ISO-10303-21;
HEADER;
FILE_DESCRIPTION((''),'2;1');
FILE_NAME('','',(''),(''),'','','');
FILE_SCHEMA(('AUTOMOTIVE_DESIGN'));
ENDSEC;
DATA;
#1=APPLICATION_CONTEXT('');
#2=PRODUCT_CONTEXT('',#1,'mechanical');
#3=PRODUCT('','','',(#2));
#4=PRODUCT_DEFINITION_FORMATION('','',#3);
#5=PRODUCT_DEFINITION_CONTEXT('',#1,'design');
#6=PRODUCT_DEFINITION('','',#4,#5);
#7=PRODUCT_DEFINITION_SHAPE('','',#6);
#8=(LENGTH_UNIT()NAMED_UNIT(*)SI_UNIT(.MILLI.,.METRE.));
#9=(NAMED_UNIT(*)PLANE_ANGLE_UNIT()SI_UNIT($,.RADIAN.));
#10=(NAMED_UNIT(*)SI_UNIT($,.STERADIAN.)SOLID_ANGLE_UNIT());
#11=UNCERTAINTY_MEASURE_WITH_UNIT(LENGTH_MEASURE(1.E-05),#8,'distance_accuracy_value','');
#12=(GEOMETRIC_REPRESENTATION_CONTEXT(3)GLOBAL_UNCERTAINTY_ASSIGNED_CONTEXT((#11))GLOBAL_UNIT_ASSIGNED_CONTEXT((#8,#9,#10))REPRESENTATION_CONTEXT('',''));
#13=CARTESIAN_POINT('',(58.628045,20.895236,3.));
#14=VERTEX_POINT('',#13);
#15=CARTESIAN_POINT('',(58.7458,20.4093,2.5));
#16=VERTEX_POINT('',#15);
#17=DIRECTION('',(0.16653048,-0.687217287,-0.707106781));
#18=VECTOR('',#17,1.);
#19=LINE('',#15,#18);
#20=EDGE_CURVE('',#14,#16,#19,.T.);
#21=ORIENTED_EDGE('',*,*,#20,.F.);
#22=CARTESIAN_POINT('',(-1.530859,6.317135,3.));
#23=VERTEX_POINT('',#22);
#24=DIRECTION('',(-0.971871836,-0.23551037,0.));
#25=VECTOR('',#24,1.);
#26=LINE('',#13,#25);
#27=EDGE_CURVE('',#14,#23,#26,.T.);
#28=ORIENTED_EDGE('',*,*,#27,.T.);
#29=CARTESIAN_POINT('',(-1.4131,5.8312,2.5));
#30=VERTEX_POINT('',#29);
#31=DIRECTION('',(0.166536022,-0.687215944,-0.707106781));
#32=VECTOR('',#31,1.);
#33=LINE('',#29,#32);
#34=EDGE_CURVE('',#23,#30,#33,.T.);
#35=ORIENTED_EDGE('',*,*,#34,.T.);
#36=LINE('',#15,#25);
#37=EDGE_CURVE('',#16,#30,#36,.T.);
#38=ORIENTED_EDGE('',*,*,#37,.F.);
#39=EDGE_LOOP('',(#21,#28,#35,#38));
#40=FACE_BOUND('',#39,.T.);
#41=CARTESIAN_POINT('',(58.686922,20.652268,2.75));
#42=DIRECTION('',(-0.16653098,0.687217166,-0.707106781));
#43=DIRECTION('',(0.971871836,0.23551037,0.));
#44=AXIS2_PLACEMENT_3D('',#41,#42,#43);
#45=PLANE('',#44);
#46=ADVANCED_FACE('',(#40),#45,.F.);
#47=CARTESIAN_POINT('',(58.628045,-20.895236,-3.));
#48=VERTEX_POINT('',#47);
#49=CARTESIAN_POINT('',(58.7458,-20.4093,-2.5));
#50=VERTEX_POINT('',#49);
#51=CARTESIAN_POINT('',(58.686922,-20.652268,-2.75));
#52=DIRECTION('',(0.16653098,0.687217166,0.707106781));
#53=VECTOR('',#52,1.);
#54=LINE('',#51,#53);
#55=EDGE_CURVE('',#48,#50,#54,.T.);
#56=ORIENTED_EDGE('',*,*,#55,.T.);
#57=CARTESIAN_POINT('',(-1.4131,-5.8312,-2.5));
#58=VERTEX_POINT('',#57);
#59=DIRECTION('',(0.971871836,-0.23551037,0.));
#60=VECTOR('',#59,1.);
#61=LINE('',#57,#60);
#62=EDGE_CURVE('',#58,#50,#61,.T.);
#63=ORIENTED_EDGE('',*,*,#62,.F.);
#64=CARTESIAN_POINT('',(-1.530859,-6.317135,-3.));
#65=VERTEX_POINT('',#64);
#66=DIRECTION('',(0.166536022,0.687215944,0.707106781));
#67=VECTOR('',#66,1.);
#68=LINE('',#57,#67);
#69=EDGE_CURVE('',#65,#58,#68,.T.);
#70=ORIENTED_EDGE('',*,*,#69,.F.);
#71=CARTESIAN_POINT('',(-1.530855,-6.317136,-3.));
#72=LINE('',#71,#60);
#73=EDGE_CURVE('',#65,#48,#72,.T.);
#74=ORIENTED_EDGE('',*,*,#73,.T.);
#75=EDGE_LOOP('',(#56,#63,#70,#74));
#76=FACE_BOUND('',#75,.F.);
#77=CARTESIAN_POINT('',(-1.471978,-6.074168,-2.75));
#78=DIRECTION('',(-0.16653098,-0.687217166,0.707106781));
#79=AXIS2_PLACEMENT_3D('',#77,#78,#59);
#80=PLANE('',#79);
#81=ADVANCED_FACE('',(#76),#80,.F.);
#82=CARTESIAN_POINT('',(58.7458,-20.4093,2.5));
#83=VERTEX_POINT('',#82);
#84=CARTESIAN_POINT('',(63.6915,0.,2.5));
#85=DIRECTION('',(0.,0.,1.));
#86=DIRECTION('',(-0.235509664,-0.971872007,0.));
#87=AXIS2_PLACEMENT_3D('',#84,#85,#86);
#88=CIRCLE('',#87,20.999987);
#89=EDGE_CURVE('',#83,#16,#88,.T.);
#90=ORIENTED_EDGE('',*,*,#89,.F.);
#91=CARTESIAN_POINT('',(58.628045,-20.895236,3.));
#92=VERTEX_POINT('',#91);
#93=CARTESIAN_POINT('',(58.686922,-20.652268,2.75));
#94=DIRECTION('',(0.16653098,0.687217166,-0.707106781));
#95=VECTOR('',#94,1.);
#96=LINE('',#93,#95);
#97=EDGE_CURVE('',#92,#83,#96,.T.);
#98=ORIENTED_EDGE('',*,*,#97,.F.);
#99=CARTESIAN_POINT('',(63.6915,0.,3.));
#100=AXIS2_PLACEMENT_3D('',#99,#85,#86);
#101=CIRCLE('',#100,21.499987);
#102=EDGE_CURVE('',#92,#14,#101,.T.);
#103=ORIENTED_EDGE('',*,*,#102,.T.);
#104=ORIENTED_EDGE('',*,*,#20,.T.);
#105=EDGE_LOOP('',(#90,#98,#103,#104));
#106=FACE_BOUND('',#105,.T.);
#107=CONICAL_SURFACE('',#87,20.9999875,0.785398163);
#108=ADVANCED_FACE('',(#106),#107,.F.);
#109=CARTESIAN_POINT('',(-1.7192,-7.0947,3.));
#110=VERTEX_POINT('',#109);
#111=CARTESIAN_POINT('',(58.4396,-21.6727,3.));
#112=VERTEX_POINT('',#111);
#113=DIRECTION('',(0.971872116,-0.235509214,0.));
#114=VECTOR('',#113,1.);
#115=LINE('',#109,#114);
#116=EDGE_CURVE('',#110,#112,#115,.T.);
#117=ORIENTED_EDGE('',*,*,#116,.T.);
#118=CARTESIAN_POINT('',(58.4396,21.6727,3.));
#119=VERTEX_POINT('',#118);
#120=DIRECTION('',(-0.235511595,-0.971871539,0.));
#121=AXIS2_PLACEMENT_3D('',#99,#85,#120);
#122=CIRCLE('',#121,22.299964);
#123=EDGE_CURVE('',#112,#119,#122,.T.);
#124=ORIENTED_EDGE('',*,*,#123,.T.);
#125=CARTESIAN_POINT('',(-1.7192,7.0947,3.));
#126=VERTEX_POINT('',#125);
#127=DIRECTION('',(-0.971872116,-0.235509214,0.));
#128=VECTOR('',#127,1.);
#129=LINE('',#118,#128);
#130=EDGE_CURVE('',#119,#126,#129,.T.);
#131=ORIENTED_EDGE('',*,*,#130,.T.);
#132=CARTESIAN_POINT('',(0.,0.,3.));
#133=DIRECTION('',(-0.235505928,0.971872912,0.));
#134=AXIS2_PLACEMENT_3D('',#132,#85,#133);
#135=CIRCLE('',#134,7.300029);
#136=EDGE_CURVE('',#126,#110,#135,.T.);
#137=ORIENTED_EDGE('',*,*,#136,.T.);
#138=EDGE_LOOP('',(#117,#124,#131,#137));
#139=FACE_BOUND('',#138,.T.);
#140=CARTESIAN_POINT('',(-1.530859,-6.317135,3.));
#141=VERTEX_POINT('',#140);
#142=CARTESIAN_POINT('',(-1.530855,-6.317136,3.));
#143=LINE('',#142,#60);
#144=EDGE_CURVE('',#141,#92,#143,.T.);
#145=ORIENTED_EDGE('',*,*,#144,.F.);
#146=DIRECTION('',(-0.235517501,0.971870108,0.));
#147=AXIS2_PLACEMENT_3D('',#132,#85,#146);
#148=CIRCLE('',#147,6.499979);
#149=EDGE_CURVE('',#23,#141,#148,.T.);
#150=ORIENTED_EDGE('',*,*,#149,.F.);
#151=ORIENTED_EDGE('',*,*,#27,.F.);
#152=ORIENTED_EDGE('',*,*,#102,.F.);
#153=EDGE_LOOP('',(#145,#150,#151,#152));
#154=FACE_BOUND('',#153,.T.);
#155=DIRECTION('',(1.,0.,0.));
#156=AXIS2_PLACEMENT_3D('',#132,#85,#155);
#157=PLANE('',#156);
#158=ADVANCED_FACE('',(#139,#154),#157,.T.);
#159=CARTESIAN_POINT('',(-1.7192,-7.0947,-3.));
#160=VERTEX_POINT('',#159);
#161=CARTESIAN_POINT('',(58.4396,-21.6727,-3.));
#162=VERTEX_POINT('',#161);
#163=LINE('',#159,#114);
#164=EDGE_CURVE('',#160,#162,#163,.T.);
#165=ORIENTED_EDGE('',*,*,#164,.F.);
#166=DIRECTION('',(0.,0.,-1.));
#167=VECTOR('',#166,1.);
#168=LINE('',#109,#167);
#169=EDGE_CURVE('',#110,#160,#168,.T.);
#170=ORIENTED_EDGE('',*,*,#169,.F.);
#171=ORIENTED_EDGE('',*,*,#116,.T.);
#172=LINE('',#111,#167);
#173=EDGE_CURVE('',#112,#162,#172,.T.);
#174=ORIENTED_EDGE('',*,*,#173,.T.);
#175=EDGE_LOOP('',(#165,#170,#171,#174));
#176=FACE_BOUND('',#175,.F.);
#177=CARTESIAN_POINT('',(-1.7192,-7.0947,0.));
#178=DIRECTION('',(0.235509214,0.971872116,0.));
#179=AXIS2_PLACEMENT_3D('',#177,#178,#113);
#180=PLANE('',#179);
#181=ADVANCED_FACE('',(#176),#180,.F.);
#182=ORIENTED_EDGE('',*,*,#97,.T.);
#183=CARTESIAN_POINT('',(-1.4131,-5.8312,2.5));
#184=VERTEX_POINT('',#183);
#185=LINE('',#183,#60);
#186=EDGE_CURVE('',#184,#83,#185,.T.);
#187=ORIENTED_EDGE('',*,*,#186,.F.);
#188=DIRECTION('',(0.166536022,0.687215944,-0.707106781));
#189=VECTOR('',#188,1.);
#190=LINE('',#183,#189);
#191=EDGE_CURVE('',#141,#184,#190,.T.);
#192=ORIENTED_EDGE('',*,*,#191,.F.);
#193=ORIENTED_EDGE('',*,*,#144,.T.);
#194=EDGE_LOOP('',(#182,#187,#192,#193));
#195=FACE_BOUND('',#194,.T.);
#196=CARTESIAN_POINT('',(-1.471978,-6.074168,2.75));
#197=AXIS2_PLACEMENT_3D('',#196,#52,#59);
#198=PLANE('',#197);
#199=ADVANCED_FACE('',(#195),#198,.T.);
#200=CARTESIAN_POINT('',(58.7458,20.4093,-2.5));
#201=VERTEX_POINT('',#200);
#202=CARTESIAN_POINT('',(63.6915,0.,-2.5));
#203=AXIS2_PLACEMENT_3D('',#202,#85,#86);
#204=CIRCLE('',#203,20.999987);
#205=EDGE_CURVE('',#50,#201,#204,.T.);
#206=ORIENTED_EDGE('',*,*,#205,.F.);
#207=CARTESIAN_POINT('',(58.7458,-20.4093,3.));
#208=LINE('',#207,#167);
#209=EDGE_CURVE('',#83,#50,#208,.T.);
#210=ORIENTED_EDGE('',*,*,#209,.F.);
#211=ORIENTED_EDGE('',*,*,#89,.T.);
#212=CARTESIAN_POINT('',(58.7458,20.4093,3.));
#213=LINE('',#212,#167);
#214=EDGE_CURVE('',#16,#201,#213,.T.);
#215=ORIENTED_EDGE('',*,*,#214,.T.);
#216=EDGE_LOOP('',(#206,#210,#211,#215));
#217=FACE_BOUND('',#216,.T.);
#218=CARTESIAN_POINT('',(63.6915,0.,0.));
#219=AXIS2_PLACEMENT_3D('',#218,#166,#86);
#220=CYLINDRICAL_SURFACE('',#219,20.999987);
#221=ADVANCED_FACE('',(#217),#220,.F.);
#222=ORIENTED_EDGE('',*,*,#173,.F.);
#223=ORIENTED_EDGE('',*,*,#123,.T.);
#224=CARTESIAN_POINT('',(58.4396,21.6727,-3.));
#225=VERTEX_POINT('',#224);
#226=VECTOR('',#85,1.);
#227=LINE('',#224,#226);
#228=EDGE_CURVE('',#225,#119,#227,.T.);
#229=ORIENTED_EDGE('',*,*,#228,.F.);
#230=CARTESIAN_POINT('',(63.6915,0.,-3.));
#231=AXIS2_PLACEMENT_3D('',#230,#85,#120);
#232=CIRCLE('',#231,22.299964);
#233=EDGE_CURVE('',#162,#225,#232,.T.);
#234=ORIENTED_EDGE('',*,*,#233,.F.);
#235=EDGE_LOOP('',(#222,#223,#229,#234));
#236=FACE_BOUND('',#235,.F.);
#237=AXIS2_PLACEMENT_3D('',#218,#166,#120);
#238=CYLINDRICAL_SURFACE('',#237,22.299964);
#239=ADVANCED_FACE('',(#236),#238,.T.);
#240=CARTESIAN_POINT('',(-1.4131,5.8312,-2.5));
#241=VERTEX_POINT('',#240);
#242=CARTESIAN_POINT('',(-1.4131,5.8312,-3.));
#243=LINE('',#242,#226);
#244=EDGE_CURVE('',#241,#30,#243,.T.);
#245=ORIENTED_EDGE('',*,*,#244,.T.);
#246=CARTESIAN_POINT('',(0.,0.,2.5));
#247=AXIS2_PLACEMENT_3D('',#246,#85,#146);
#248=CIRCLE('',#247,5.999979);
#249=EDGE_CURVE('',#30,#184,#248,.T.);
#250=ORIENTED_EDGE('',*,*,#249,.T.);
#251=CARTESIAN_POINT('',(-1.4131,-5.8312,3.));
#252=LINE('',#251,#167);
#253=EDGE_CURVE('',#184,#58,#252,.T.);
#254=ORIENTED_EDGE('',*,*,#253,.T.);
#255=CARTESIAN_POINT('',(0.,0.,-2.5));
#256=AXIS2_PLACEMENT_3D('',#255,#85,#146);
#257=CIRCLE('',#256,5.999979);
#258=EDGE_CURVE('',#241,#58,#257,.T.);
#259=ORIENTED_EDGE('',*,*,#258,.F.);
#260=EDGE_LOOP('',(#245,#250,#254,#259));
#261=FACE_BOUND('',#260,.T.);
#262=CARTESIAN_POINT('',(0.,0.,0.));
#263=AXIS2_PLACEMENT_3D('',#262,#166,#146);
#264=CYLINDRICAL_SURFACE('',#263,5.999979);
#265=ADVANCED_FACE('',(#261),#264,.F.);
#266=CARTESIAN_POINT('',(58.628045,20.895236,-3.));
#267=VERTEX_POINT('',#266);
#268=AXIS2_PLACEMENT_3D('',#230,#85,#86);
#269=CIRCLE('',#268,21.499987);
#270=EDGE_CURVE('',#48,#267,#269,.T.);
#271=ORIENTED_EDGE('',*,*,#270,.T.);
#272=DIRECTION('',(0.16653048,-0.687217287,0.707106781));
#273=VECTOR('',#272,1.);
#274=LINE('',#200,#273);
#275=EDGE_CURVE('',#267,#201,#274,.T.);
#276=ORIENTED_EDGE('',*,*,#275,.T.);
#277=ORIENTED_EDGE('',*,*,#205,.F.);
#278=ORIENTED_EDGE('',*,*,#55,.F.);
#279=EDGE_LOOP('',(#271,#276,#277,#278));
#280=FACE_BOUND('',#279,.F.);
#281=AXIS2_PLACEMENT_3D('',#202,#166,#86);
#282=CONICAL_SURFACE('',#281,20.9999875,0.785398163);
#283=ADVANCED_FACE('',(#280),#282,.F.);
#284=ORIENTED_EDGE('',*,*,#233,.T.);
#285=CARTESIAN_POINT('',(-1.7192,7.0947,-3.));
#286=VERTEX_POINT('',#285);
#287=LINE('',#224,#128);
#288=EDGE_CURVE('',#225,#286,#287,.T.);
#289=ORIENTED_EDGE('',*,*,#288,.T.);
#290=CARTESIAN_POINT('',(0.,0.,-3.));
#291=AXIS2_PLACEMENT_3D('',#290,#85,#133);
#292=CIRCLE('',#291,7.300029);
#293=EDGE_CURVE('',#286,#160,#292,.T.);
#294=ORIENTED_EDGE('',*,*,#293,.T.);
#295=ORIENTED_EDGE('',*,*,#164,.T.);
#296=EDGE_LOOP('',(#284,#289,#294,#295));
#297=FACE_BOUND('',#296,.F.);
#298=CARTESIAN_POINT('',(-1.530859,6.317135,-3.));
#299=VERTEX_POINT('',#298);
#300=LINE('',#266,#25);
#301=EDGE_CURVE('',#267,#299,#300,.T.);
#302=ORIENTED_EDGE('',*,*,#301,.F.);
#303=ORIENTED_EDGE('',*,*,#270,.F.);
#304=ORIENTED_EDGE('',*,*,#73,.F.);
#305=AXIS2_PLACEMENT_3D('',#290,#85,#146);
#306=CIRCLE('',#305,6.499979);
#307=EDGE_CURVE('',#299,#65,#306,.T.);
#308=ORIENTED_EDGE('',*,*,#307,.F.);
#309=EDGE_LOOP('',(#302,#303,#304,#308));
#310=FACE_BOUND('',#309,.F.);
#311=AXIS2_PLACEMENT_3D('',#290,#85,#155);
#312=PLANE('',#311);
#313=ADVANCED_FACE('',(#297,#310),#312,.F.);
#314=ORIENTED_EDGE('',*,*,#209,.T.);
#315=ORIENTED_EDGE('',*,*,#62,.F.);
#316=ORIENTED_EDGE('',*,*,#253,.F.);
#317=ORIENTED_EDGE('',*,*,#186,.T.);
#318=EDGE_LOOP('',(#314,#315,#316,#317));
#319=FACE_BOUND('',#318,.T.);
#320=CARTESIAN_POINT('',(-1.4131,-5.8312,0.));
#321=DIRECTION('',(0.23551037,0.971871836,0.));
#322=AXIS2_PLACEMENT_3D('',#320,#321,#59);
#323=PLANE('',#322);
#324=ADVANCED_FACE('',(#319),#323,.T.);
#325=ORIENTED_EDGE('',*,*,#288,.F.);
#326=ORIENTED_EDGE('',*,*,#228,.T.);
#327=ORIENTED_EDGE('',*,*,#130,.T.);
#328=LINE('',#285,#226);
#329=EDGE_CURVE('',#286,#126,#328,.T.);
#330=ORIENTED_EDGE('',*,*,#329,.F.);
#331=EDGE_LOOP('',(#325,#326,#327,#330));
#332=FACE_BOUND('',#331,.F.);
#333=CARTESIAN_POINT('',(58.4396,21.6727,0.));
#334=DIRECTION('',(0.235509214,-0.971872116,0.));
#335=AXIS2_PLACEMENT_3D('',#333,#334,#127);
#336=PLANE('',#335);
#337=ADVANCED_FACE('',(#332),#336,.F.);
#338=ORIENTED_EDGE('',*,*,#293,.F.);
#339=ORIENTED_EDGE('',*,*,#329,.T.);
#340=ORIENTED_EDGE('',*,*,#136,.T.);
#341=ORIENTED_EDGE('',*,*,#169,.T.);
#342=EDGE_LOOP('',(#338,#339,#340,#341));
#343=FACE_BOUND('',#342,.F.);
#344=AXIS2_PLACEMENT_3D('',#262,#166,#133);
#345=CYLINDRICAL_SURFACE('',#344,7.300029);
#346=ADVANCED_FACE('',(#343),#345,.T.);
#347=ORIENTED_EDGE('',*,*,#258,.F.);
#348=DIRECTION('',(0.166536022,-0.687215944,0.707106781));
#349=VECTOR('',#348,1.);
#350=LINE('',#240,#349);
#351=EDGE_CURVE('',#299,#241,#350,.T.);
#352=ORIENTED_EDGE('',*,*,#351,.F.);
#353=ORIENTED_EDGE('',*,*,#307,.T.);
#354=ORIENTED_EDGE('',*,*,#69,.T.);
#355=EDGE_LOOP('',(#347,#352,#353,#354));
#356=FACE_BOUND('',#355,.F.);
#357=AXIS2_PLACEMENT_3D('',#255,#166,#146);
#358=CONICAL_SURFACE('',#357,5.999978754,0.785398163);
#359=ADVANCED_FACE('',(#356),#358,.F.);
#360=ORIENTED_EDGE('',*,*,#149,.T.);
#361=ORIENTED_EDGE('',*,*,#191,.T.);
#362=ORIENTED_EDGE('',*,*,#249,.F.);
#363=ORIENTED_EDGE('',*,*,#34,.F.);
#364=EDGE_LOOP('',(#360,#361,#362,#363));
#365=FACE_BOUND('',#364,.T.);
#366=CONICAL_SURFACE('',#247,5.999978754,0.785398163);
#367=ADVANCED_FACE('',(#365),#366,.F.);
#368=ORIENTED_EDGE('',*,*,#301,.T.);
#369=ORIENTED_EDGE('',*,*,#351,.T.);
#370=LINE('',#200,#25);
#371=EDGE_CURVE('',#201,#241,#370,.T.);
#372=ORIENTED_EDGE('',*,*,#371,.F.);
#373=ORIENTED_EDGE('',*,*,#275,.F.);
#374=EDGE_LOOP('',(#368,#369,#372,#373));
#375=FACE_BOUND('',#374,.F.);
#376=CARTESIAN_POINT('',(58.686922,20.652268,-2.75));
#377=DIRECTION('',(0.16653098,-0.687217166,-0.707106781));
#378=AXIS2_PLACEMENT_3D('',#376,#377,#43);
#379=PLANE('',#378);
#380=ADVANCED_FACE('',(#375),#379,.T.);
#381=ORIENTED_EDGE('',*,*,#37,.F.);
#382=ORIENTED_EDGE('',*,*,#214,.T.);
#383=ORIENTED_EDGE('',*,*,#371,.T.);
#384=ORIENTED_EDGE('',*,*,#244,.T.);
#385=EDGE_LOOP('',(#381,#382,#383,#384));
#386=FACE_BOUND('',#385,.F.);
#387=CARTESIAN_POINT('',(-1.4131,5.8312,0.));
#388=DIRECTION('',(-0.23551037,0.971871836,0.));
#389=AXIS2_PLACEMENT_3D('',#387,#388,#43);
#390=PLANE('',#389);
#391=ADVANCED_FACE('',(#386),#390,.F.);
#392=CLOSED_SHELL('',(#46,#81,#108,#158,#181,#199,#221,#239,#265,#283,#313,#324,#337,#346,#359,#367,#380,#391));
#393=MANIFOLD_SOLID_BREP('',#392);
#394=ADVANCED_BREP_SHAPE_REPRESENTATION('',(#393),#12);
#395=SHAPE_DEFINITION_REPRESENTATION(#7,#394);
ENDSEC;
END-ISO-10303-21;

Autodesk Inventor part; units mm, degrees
ref_plane "YZ Plane" through (0, 0, 0) normal (1, 0, 0) x (0, 1, 0)
ref_plane "XZ Plane" through (0, 0, 0) normal (0, 1, 0) x (-1, 0, 0)
ref_plane "XY Plane" through (0, 0, 0) normal (0, 0, 1) x (1, 0, 0)
sketch "Sketch1" plane through (0, 0, 0) normal (0, 0, 1) x (1, 0, 0)
  arc A0 (-1.4131, 5.8312) -> (-1.4131, -5.8312) centre (0, 0) ccw
  arc A1 (58.7458, -20.4093) -> (58.7458, 20.4093) centre (63.6915, 0) ccw
  line L0 (-1.4131, 5.8312) -> (58.7458, 20.4093)
  line L1 (-1.4131, -5.8312) -> (58.7458, -20.4093)
  line L2 (58.4396, 21.6727) -> (-1.7192, 7.0947)
  arc A2 (-1.7192, 7.0947) -> (-1.7192, -7.0947) centre (0, 0) ccw
  line L3 (-1.7192, -7.0947) -> (58.4396, -21.6727)
  arc A3 (58.4396, -21.6727) -> (58.4396, 21.6727) centre (63.6915, 0) ccw
  dimension "d0" = 12
  dimension "d1" = 42
  dimension "d2" = 61.9
  dimension "d3" = 1.3
extrude "Extrusion1" add sketch "Sketch1" along normal mid plane 6
chamfer "Chamfer1" distance 0.5 angle 45 8 edges at (-6, 0, 3) (28.6664, 13.1203, 3) (84.6915, 0, 3) (28.6664, -13.1203, 3) (-6, 0, -3) (28.6664, -13.1203, -3) (84.6915, 0, -3) (28.6664, 13.1203, -3)
properties part number "Tandriem20naar60T" material "Rubber"
